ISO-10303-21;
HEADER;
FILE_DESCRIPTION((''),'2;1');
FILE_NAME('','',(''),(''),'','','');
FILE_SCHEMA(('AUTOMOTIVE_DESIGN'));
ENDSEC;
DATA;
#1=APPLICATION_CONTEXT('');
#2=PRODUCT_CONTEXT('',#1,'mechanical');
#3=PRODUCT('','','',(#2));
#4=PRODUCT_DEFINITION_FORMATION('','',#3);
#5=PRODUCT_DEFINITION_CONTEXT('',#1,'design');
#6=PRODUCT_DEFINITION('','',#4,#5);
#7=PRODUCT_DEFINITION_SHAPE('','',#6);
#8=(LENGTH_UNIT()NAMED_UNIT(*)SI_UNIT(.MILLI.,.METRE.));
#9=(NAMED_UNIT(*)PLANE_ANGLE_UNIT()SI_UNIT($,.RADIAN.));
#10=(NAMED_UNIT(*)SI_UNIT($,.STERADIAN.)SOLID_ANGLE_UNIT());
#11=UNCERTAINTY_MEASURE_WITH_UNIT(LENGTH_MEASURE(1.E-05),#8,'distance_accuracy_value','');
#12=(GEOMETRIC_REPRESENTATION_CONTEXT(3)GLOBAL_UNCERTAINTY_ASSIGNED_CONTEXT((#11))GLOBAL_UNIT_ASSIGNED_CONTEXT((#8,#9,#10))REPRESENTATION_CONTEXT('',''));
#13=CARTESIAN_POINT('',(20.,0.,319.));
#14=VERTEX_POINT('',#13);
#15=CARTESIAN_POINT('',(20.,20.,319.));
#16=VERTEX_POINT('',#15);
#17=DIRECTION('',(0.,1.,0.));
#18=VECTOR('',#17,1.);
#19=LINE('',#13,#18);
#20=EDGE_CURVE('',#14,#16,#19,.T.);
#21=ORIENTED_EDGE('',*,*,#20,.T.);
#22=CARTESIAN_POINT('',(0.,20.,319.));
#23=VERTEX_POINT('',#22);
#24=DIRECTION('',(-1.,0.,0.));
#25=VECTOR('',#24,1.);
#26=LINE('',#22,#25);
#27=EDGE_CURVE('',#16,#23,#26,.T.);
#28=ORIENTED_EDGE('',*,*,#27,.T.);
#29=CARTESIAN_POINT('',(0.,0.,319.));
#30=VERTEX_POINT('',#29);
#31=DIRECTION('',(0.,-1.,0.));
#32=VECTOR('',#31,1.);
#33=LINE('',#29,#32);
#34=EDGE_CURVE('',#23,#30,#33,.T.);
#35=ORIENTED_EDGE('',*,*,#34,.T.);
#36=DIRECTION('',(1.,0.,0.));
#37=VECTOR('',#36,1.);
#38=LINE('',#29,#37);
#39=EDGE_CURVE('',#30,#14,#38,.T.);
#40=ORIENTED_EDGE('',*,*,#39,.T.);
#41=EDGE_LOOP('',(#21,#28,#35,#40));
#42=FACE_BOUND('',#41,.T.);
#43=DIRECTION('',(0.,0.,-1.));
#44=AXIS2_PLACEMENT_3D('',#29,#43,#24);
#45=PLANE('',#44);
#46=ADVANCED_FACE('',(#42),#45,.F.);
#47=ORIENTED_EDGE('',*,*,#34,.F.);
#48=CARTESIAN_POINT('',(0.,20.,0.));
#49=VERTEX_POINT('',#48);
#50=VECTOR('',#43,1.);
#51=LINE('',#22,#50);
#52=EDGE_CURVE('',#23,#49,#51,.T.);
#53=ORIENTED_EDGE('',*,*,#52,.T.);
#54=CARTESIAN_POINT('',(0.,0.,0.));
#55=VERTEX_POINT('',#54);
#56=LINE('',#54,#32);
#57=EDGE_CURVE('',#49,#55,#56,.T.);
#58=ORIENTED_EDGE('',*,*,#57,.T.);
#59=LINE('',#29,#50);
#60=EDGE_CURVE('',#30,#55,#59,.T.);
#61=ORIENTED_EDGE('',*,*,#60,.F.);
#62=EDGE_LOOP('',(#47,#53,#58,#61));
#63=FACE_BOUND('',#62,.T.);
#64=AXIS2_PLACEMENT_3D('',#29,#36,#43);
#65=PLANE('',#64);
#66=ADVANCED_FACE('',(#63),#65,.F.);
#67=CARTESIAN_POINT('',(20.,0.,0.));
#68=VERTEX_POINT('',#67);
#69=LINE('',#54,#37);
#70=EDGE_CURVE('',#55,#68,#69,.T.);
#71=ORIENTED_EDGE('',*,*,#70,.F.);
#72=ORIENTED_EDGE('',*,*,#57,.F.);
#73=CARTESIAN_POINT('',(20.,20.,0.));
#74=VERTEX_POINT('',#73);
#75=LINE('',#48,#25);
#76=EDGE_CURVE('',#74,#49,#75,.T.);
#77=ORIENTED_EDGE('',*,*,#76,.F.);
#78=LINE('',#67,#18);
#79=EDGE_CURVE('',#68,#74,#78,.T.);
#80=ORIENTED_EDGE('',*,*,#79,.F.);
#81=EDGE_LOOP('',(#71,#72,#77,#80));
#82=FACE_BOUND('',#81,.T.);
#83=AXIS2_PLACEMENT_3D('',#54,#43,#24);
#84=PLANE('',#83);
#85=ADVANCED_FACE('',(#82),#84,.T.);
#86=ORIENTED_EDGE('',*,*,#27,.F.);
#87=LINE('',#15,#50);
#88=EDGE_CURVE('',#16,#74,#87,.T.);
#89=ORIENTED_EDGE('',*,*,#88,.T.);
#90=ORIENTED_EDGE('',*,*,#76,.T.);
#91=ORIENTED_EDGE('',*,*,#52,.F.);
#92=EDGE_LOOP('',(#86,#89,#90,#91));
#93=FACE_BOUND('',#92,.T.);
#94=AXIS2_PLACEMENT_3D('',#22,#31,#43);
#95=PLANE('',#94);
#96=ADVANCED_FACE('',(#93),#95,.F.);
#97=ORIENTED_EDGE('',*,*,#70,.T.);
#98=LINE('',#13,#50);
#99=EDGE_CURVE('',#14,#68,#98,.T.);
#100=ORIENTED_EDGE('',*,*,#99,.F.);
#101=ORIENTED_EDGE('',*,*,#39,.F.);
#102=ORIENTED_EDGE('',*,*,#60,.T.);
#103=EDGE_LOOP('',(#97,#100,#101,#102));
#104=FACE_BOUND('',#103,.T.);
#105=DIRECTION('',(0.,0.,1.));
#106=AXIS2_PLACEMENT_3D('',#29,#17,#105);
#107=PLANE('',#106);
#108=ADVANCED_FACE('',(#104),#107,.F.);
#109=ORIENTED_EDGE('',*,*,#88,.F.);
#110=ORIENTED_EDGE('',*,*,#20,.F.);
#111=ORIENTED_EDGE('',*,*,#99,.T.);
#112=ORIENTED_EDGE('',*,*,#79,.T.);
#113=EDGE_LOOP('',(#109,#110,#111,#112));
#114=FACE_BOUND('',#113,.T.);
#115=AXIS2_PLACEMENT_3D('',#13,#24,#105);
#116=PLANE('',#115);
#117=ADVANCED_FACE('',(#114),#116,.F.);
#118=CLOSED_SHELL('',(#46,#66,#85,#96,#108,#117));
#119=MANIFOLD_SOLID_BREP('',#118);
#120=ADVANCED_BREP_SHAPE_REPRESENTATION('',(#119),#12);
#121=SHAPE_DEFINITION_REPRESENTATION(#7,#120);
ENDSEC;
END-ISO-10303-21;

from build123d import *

# Parameters (mm, degrees)
SKETCH_1_W      = 20
SKETCH_1_H      = 20
EXTRUDE_1_DEPTH = 319


with BuildPart() as part:
    # 草图1 → 凸台-拉伸1 (new body)
    with BuildSketch(Plane.XY):
        with Locations((10, 10)):
            Rectangle(SKETCH_1_W, SKETCH_1_H)
    extrude(amount=EXTRUDE_1_DEPTH)


solid = part.part
